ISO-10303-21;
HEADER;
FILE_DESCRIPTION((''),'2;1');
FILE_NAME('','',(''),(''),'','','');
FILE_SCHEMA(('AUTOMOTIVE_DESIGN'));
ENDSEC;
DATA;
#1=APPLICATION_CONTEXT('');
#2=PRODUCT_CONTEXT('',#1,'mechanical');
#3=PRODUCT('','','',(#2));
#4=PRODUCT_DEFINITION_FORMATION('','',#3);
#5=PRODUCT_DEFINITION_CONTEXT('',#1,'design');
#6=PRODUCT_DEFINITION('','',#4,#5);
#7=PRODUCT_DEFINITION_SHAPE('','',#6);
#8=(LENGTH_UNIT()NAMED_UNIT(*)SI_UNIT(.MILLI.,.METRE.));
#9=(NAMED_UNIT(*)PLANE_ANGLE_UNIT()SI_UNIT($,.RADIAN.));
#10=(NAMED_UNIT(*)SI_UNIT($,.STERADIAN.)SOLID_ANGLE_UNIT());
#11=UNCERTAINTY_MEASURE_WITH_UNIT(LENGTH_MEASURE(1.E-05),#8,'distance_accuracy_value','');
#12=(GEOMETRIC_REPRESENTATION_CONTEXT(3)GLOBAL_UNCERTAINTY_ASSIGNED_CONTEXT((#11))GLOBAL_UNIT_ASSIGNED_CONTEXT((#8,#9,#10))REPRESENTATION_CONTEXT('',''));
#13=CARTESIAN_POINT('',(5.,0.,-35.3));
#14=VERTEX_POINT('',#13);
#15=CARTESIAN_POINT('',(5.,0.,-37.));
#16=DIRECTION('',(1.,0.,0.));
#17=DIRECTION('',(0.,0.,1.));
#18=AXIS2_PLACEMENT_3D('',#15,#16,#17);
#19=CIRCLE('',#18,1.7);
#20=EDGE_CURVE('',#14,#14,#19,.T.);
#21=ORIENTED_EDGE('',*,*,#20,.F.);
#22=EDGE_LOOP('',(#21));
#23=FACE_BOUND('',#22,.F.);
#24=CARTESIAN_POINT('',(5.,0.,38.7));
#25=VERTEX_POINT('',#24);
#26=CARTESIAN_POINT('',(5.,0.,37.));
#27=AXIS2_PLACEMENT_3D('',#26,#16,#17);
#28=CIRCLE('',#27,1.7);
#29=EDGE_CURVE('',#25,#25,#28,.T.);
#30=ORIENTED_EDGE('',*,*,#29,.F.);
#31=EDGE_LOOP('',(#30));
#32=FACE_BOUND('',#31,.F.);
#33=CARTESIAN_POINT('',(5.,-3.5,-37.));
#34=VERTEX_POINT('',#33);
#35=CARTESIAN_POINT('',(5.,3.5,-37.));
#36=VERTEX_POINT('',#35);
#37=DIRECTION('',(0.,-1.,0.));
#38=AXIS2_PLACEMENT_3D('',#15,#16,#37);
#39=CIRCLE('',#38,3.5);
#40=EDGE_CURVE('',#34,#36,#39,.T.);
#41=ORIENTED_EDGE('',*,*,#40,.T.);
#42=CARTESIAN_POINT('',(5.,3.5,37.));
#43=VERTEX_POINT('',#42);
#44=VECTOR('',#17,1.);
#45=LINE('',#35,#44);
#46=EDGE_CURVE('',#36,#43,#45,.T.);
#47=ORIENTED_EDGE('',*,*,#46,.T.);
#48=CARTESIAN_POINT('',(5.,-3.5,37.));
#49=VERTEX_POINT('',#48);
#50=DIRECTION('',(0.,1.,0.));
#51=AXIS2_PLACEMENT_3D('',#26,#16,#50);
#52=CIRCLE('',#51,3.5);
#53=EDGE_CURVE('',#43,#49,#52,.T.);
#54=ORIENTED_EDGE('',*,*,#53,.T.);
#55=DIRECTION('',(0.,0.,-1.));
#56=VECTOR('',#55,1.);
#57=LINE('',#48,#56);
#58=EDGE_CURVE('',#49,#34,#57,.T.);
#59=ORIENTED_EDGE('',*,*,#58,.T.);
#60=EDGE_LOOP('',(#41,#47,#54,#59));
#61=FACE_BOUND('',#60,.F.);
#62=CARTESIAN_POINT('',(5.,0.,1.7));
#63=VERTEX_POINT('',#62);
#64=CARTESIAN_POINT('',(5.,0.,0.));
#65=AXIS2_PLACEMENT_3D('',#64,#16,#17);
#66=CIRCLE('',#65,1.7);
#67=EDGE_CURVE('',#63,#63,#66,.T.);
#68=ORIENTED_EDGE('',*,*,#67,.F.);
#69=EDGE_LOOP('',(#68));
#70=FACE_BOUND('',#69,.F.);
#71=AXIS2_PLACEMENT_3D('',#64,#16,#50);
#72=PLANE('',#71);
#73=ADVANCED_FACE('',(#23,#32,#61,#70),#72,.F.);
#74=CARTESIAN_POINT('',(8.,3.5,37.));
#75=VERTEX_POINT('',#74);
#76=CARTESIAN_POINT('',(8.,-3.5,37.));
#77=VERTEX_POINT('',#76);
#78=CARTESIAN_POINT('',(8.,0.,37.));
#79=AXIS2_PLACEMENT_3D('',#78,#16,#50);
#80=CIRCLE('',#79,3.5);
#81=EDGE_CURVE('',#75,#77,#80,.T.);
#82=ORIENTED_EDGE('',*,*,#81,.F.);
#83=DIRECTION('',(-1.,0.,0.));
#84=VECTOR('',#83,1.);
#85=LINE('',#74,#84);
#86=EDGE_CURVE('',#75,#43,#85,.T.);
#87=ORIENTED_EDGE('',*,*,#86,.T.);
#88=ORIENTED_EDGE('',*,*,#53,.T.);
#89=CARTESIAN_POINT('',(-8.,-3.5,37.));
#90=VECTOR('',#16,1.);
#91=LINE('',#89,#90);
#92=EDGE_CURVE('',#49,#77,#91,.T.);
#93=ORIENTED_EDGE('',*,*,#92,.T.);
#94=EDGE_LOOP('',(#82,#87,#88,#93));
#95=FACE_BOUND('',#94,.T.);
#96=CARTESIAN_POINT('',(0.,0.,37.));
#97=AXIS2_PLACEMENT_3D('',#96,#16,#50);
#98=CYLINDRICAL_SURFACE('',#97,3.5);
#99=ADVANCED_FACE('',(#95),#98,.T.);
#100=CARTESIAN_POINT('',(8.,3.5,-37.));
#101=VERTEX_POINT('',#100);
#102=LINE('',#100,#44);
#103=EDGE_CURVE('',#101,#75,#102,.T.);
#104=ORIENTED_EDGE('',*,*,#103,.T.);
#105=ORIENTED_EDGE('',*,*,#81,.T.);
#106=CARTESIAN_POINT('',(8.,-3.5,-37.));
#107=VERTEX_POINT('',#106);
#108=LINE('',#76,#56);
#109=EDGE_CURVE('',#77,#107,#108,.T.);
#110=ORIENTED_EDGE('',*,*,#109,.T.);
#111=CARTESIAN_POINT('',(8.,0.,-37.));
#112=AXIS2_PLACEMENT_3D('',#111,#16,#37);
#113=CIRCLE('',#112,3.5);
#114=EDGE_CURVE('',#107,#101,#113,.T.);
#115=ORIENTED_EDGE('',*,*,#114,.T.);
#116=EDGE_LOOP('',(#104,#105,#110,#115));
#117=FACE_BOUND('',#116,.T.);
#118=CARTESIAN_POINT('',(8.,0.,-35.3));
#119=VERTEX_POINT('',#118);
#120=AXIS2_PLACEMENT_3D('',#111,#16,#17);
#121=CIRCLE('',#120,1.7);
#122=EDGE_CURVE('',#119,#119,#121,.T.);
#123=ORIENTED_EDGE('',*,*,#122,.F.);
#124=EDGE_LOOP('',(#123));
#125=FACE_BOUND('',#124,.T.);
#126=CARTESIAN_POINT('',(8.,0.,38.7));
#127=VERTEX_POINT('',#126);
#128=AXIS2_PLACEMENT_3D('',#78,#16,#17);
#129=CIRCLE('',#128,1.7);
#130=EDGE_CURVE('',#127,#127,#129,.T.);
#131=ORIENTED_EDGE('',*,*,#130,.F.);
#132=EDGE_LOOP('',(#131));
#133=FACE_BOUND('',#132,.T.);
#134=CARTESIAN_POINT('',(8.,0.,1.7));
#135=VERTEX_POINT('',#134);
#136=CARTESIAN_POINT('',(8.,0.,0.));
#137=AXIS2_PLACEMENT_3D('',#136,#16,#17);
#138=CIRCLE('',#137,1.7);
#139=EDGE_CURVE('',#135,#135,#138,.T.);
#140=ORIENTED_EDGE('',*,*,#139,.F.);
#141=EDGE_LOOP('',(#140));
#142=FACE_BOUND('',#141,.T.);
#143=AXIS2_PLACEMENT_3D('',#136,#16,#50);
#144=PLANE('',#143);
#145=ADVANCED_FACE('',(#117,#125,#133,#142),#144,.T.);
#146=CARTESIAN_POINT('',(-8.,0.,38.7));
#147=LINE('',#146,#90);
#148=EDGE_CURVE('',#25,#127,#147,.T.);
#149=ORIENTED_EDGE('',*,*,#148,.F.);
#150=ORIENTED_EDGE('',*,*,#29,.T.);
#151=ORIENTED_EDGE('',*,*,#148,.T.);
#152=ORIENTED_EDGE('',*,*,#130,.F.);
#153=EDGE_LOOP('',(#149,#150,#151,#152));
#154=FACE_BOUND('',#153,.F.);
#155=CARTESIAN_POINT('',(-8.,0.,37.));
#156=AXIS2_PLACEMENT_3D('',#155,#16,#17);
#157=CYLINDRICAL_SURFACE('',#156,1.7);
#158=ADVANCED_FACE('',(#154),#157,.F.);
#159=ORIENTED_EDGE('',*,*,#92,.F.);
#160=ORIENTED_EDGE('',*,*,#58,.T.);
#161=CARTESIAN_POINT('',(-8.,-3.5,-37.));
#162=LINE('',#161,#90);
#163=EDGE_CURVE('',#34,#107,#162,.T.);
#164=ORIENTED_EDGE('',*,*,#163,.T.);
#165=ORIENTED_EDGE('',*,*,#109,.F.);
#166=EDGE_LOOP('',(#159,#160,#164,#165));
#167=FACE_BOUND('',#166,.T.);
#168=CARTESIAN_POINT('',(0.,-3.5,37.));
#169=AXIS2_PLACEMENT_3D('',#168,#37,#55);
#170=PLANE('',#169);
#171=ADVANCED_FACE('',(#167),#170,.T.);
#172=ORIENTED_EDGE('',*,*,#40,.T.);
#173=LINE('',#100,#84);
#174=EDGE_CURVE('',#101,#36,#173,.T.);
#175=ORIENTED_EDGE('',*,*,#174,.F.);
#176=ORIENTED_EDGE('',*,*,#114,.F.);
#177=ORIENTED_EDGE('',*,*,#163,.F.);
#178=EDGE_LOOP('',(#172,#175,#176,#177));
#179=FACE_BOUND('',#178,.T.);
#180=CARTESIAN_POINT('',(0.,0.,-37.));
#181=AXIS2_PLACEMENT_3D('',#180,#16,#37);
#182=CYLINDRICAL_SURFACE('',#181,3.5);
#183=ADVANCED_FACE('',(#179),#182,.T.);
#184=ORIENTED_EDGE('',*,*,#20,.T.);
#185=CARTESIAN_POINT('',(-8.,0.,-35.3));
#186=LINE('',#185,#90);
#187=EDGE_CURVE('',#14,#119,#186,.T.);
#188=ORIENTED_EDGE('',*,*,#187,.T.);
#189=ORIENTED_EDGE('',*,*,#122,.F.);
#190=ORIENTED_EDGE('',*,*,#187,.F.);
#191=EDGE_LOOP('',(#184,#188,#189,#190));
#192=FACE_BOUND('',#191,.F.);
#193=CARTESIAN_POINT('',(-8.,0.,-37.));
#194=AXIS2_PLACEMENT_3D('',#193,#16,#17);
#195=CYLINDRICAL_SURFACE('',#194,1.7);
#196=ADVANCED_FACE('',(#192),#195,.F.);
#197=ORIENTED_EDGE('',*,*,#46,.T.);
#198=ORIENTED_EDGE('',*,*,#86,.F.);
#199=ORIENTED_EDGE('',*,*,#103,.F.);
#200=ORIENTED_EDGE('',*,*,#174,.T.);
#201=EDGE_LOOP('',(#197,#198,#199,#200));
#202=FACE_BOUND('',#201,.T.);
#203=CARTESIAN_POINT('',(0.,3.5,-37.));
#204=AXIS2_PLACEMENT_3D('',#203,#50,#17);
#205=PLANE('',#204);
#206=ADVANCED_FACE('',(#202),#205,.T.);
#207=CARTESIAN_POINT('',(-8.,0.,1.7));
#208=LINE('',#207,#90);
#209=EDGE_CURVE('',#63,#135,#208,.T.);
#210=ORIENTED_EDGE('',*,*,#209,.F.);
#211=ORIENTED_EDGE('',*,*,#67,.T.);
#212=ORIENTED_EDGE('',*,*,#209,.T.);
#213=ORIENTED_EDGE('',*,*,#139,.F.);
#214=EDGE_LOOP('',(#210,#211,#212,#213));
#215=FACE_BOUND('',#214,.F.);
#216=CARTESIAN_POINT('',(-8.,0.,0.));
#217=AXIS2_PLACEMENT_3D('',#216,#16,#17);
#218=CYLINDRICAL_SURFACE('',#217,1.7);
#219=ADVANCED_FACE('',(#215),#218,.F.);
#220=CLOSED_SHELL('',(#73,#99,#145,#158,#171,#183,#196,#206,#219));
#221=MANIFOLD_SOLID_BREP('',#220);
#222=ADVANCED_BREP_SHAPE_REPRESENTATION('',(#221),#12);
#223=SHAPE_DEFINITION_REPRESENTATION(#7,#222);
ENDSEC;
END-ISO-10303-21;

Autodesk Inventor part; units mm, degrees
ref_plane "YZ Plane" through (0, 0, 0) normal (1, 0, 0) x (0, 1, 0)
ref_plane "XZ Plane" through (0, 0, 0) normal (0, 1, 0) x (-1, 0, 0)
ref_plane "XY Plane" through (0, 0, 0) normal (0, 0, 1) x (1, 0, 0)
sketch "Sketch1" plane through (0, 0, 0) normal (1, 0, 0) x (0, 1, 0)
  line L0 (0, 37) -> (0, -37) construction
  line L1 (-3.5, 37) -> (-3.5, -37)
  line L2 (3.5, -37) -> (3.5, 37)
  arc A0 (3.5, 37) -> (-3.5, 37) centre (0, 37) ccw
  arc A1 (-3.5, -37) -> (3.5, -37) centre (0, -37) ccw
  circle A2 centre (0, -37) radius 1.5
  circle A3 centre (0, 0) radius 1.5
  circle A4 centre (0, 37) radius 1.5
  point P0 (0, 40.5)
  point P1 (0, -40.5)
  dimension "d14" = 7
  dimension "d15" = 81
  dimension "d16" = 3
extrude "Extrusión3" add sketch "Sketch1" along normal mid plane 16 contours A0 L2 A1 L1 | A2 | A3 | A4
extrude "Extrusión4" cut sketch "Sketch1" along normal mid plane 10 contours A0 L2 A1 L1 | A3
sketch "Boceto2" plane through (-8, 0, 0) normal (-1, 0, 0) x (0, 0, 1)
  circle A0 centre (37, 0) radius 1.5 projected
  circle A1 centre (-37, 0) radius 1.5 projected
  point P0 (0, 0)
  point P1 (0, 0)
hole "Agujero1" at (-8, 0, 37) at (-8, 0, -37) at (-8, 0, 0) direction (1, 0, 0) diameter 3.4 end through all clearance for "Tornillo de cabeza plana avellanada ISO 2009/7046" size "M3" standard "ISO"
split "Dividir1" plane through (0, 0, 0) removes the side toward (-1, 0, 0)
sketch "Boceto3" plane through (-5, 0, 0) normal (1, 0, 0) x (0, 0, -1)
  circle A0 centre (0, 0) radius 1.7 projected
  circle A1 centre (37, 0) radius 1.7 projected
  circle A2 centre (-37, 0) radius 1.7 projected
  arc A3 (37, -3.5) -> (37, 3.5) centre (37, 0) ccw projected
  line L0 (37, 3.5) -> (-37, 3.5) projected
  arc A4 (-37, 3.5) -> (-37, -3.5) centre (-37, 0) ccw projected
  line L1 (-37, -3.5) -> (37, -3.5) projected
extrude "Extrusión5" cut sketch "Boceto3" against normal blind 10 contours A0 | A1 | A2 | L1 A4 L0 A3
equation "\"d19\" = Dedos"
equation "\"Dedos\" = 10"
properties part number "Corredera I"
